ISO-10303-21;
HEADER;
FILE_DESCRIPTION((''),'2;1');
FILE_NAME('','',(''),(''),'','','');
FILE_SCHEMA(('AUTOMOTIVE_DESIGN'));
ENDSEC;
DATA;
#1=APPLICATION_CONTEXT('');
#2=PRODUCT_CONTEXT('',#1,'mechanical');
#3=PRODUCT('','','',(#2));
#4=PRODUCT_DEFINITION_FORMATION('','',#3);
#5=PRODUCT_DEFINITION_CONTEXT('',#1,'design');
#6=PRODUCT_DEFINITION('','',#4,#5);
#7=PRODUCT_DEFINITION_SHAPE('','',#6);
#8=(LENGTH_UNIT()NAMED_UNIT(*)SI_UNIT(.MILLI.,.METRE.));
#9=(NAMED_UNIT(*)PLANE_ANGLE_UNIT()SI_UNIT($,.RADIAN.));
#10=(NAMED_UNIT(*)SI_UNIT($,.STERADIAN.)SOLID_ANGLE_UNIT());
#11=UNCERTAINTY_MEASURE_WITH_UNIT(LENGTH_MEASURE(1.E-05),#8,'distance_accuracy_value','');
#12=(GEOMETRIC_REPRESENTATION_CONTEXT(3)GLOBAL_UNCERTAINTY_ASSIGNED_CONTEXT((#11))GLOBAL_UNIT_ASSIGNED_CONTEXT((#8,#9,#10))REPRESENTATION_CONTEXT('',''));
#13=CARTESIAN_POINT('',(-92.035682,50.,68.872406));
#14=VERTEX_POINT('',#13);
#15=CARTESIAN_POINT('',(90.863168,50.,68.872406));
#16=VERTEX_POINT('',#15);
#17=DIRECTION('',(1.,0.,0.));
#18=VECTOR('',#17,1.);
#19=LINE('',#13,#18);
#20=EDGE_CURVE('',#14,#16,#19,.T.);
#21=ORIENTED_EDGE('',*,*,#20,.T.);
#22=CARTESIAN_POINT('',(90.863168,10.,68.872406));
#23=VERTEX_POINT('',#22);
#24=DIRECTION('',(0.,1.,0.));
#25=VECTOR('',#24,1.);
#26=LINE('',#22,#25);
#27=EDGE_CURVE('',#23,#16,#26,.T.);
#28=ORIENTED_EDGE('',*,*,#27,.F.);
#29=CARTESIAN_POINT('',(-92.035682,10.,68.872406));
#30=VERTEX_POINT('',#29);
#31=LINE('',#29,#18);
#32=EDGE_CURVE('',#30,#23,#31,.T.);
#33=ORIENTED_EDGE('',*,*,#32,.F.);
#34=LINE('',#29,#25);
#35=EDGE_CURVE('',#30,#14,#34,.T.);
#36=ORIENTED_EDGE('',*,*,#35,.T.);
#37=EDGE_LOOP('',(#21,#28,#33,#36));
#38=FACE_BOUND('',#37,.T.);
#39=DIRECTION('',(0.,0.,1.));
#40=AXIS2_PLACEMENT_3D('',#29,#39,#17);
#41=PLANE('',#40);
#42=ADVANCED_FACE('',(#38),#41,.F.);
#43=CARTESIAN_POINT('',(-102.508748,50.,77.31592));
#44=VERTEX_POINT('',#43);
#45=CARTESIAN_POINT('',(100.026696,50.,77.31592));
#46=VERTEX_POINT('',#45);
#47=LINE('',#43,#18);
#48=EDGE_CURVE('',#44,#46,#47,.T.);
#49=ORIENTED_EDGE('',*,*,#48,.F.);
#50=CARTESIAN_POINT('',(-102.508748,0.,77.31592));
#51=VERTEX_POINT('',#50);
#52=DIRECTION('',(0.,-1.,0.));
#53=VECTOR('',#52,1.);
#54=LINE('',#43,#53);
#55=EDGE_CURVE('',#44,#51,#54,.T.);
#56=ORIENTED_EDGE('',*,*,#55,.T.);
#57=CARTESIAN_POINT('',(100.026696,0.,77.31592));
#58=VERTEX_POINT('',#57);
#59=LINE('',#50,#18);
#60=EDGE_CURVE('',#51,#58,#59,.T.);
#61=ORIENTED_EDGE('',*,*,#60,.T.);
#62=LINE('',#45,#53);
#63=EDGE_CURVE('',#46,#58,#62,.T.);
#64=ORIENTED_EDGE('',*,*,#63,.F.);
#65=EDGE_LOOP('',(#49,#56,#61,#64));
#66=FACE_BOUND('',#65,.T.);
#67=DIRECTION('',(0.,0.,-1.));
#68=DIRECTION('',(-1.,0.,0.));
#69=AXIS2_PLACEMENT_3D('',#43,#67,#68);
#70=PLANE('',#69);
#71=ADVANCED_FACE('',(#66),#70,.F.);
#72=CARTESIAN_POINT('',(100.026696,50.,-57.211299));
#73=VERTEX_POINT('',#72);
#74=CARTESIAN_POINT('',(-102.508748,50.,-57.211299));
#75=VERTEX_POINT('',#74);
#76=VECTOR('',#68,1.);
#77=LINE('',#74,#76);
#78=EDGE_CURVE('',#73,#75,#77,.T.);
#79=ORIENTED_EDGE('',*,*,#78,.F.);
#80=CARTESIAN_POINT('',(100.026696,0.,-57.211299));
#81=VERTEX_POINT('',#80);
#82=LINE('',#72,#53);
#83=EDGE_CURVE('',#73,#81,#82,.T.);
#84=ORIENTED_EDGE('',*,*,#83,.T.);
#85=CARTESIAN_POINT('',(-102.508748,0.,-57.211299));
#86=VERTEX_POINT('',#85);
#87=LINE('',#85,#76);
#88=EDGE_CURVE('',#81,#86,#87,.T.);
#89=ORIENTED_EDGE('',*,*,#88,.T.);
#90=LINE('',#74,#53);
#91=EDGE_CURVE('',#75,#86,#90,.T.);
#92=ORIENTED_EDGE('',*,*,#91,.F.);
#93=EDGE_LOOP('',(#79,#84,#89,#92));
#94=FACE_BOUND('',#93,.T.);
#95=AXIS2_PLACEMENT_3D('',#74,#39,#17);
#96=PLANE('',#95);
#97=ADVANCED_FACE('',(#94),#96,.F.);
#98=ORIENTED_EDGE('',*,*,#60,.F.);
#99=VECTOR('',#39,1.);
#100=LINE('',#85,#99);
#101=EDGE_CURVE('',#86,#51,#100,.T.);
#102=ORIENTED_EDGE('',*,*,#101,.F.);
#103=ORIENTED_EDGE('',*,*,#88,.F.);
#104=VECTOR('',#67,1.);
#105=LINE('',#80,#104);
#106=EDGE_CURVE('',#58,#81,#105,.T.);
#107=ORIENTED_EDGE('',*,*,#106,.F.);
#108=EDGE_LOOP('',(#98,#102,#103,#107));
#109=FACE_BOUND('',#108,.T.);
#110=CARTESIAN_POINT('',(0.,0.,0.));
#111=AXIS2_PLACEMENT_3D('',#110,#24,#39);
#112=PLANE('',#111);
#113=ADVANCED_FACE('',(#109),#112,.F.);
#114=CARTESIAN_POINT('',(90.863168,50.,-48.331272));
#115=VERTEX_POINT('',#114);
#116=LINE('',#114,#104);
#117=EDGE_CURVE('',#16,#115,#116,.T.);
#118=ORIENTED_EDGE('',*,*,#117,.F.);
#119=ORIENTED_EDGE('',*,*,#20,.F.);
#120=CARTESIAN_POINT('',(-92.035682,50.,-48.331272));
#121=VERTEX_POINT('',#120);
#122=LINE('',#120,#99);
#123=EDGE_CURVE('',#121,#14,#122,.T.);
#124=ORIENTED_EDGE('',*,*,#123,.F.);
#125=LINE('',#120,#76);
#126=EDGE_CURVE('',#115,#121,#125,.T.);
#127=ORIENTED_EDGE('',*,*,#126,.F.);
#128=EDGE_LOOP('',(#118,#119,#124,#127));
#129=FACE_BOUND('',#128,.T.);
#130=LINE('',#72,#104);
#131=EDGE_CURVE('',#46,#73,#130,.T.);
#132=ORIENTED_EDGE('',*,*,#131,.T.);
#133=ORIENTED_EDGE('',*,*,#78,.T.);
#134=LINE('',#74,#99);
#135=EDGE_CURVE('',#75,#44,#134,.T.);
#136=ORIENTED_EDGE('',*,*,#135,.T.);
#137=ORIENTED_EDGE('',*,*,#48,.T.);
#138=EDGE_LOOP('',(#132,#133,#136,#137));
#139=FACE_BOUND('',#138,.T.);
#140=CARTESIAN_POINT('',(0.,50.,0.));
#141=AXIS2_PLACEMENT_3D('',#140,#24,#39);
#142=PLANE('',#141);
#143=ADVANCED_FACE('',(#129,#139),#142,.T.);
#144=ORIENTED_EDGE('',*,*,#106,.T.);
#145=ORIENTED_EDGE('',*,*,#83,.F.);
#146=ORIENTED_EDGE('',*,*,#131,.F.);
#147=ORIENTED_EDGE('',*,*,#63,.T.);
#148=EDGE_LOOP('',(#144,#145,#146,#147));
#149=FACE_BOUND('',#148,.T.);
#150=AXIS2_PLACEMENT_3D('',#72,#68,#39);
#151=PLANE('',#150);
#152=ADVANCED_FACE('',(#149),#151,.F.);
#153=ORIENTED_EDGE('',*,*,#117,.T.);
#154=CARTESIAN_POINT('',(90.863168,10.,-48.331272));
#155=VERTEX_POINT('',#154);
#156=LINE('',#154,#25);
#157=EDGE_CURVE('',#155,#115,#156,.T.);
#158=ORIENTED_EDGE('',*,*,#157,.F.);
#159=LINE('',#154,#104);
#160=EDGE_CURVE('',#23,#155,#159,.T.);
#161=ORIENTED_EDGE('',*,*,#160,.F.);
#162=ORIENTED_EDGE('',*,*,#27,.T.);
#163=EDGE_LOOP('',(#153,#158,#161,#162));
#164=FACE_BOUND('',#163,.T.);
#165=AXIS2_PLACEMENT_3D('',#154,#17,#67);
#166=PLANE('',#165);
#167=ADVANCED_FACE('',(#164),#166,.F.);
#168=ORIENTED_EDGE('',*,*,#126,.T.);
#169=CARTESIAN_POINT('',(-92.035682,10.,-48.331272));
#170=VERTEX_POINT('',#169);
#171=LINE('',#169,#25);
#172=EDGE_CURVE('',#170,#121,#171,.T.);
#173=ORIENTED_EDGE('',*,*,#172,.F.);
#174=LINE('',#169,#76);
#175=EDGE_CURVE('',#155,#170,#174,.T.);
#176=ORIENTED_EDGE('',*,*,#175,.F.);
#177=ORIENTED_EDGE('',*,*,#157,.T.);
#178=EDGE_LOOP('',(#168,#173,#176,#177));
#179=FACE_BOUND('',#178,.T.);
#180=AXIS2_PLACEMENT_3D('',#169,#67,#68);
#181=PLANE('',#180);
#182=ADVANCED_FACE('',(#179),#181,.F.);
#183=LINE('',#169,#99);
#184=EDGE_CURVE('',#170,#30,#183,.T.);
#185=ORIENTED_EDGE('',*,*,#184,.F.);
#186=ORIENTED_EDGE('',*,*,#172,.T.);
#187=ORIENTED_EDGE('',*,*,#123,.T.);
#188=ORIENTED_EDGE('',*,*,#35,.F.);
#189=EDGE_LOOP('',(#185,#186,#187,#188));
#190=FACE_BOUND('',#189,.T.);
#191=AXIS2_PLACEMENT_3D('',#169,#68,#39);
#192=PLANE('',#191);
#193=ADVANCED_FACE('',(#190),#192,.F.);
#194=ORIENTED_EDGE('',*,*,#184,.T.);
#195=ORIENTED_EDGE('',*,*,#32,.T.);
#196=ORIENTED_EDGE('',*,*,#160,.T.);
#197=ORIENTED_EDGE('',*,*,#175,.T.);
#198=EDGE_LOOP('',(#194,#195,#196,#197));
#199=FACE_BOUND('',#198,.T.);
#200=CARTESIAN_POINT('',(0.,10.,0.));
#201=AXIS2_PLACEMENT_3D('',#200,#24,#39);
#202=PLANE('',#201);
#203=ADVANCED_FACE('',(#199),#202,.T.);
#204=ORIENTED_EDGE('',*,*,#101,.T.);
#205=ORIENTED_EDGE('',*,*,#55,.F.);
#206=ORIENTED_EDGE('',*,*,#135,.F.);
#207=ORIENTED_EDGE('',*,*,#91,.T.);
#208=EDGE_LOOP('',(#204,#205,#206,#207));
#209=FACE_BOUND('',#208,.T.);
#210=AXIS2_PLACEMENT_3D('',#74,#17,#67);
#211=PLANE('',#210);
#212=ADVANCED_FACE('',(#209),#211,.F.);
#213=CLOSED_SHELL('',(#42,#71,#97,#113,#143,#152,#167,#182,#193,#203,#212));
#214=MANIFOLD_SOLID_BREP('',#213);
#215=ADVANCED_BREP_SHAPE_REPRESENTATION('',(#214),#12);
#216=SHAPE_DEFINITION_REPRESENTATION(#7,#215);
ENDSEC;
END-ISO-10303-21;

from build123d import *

# Parameters (mm, degrees)
SKETCH1_W           = 202.535444796
SKETCH1_H           = 134.52721946
BOSS_EXTRUDE1_DEPTH = 50
SKETCH2_W           = 182.89884973
SKETCH2_H           = 117.203678168
CUT_EXTRUDE1_DEPTH  = 40


with BuildPart() as part:
    # Sketch1 → Boss-Extrude1 (new body)
    with BuildSketch(Plane(origin=(0, 0, 0), x_dir=(1, 0, 0), z_dir=(0, 1, 0))):
        with Locations((-1.24102601, -10.052310679)):
            Rectangle(SKETCH1_W, SKETCH1_H)
    extrude(amount=BOSS_EXTRUDE1_DEPTH)

    # Sketch2 → Cut-Extrude1 (cut)
    with BuildSketch(Plane(origin=(0, 50, 0), x_dir=(1, 0, 0), z_dir=(0, 1, 0))):
        with Locations((-0.586256858, -10.270567063)):
            Rectangle(SKETCH2_W, SKETCH2_H)
    extrude(amount=-CUT_EXTRUDE1_DEPTH, mode=Mode.SUBTRACT)


solid = part.part
